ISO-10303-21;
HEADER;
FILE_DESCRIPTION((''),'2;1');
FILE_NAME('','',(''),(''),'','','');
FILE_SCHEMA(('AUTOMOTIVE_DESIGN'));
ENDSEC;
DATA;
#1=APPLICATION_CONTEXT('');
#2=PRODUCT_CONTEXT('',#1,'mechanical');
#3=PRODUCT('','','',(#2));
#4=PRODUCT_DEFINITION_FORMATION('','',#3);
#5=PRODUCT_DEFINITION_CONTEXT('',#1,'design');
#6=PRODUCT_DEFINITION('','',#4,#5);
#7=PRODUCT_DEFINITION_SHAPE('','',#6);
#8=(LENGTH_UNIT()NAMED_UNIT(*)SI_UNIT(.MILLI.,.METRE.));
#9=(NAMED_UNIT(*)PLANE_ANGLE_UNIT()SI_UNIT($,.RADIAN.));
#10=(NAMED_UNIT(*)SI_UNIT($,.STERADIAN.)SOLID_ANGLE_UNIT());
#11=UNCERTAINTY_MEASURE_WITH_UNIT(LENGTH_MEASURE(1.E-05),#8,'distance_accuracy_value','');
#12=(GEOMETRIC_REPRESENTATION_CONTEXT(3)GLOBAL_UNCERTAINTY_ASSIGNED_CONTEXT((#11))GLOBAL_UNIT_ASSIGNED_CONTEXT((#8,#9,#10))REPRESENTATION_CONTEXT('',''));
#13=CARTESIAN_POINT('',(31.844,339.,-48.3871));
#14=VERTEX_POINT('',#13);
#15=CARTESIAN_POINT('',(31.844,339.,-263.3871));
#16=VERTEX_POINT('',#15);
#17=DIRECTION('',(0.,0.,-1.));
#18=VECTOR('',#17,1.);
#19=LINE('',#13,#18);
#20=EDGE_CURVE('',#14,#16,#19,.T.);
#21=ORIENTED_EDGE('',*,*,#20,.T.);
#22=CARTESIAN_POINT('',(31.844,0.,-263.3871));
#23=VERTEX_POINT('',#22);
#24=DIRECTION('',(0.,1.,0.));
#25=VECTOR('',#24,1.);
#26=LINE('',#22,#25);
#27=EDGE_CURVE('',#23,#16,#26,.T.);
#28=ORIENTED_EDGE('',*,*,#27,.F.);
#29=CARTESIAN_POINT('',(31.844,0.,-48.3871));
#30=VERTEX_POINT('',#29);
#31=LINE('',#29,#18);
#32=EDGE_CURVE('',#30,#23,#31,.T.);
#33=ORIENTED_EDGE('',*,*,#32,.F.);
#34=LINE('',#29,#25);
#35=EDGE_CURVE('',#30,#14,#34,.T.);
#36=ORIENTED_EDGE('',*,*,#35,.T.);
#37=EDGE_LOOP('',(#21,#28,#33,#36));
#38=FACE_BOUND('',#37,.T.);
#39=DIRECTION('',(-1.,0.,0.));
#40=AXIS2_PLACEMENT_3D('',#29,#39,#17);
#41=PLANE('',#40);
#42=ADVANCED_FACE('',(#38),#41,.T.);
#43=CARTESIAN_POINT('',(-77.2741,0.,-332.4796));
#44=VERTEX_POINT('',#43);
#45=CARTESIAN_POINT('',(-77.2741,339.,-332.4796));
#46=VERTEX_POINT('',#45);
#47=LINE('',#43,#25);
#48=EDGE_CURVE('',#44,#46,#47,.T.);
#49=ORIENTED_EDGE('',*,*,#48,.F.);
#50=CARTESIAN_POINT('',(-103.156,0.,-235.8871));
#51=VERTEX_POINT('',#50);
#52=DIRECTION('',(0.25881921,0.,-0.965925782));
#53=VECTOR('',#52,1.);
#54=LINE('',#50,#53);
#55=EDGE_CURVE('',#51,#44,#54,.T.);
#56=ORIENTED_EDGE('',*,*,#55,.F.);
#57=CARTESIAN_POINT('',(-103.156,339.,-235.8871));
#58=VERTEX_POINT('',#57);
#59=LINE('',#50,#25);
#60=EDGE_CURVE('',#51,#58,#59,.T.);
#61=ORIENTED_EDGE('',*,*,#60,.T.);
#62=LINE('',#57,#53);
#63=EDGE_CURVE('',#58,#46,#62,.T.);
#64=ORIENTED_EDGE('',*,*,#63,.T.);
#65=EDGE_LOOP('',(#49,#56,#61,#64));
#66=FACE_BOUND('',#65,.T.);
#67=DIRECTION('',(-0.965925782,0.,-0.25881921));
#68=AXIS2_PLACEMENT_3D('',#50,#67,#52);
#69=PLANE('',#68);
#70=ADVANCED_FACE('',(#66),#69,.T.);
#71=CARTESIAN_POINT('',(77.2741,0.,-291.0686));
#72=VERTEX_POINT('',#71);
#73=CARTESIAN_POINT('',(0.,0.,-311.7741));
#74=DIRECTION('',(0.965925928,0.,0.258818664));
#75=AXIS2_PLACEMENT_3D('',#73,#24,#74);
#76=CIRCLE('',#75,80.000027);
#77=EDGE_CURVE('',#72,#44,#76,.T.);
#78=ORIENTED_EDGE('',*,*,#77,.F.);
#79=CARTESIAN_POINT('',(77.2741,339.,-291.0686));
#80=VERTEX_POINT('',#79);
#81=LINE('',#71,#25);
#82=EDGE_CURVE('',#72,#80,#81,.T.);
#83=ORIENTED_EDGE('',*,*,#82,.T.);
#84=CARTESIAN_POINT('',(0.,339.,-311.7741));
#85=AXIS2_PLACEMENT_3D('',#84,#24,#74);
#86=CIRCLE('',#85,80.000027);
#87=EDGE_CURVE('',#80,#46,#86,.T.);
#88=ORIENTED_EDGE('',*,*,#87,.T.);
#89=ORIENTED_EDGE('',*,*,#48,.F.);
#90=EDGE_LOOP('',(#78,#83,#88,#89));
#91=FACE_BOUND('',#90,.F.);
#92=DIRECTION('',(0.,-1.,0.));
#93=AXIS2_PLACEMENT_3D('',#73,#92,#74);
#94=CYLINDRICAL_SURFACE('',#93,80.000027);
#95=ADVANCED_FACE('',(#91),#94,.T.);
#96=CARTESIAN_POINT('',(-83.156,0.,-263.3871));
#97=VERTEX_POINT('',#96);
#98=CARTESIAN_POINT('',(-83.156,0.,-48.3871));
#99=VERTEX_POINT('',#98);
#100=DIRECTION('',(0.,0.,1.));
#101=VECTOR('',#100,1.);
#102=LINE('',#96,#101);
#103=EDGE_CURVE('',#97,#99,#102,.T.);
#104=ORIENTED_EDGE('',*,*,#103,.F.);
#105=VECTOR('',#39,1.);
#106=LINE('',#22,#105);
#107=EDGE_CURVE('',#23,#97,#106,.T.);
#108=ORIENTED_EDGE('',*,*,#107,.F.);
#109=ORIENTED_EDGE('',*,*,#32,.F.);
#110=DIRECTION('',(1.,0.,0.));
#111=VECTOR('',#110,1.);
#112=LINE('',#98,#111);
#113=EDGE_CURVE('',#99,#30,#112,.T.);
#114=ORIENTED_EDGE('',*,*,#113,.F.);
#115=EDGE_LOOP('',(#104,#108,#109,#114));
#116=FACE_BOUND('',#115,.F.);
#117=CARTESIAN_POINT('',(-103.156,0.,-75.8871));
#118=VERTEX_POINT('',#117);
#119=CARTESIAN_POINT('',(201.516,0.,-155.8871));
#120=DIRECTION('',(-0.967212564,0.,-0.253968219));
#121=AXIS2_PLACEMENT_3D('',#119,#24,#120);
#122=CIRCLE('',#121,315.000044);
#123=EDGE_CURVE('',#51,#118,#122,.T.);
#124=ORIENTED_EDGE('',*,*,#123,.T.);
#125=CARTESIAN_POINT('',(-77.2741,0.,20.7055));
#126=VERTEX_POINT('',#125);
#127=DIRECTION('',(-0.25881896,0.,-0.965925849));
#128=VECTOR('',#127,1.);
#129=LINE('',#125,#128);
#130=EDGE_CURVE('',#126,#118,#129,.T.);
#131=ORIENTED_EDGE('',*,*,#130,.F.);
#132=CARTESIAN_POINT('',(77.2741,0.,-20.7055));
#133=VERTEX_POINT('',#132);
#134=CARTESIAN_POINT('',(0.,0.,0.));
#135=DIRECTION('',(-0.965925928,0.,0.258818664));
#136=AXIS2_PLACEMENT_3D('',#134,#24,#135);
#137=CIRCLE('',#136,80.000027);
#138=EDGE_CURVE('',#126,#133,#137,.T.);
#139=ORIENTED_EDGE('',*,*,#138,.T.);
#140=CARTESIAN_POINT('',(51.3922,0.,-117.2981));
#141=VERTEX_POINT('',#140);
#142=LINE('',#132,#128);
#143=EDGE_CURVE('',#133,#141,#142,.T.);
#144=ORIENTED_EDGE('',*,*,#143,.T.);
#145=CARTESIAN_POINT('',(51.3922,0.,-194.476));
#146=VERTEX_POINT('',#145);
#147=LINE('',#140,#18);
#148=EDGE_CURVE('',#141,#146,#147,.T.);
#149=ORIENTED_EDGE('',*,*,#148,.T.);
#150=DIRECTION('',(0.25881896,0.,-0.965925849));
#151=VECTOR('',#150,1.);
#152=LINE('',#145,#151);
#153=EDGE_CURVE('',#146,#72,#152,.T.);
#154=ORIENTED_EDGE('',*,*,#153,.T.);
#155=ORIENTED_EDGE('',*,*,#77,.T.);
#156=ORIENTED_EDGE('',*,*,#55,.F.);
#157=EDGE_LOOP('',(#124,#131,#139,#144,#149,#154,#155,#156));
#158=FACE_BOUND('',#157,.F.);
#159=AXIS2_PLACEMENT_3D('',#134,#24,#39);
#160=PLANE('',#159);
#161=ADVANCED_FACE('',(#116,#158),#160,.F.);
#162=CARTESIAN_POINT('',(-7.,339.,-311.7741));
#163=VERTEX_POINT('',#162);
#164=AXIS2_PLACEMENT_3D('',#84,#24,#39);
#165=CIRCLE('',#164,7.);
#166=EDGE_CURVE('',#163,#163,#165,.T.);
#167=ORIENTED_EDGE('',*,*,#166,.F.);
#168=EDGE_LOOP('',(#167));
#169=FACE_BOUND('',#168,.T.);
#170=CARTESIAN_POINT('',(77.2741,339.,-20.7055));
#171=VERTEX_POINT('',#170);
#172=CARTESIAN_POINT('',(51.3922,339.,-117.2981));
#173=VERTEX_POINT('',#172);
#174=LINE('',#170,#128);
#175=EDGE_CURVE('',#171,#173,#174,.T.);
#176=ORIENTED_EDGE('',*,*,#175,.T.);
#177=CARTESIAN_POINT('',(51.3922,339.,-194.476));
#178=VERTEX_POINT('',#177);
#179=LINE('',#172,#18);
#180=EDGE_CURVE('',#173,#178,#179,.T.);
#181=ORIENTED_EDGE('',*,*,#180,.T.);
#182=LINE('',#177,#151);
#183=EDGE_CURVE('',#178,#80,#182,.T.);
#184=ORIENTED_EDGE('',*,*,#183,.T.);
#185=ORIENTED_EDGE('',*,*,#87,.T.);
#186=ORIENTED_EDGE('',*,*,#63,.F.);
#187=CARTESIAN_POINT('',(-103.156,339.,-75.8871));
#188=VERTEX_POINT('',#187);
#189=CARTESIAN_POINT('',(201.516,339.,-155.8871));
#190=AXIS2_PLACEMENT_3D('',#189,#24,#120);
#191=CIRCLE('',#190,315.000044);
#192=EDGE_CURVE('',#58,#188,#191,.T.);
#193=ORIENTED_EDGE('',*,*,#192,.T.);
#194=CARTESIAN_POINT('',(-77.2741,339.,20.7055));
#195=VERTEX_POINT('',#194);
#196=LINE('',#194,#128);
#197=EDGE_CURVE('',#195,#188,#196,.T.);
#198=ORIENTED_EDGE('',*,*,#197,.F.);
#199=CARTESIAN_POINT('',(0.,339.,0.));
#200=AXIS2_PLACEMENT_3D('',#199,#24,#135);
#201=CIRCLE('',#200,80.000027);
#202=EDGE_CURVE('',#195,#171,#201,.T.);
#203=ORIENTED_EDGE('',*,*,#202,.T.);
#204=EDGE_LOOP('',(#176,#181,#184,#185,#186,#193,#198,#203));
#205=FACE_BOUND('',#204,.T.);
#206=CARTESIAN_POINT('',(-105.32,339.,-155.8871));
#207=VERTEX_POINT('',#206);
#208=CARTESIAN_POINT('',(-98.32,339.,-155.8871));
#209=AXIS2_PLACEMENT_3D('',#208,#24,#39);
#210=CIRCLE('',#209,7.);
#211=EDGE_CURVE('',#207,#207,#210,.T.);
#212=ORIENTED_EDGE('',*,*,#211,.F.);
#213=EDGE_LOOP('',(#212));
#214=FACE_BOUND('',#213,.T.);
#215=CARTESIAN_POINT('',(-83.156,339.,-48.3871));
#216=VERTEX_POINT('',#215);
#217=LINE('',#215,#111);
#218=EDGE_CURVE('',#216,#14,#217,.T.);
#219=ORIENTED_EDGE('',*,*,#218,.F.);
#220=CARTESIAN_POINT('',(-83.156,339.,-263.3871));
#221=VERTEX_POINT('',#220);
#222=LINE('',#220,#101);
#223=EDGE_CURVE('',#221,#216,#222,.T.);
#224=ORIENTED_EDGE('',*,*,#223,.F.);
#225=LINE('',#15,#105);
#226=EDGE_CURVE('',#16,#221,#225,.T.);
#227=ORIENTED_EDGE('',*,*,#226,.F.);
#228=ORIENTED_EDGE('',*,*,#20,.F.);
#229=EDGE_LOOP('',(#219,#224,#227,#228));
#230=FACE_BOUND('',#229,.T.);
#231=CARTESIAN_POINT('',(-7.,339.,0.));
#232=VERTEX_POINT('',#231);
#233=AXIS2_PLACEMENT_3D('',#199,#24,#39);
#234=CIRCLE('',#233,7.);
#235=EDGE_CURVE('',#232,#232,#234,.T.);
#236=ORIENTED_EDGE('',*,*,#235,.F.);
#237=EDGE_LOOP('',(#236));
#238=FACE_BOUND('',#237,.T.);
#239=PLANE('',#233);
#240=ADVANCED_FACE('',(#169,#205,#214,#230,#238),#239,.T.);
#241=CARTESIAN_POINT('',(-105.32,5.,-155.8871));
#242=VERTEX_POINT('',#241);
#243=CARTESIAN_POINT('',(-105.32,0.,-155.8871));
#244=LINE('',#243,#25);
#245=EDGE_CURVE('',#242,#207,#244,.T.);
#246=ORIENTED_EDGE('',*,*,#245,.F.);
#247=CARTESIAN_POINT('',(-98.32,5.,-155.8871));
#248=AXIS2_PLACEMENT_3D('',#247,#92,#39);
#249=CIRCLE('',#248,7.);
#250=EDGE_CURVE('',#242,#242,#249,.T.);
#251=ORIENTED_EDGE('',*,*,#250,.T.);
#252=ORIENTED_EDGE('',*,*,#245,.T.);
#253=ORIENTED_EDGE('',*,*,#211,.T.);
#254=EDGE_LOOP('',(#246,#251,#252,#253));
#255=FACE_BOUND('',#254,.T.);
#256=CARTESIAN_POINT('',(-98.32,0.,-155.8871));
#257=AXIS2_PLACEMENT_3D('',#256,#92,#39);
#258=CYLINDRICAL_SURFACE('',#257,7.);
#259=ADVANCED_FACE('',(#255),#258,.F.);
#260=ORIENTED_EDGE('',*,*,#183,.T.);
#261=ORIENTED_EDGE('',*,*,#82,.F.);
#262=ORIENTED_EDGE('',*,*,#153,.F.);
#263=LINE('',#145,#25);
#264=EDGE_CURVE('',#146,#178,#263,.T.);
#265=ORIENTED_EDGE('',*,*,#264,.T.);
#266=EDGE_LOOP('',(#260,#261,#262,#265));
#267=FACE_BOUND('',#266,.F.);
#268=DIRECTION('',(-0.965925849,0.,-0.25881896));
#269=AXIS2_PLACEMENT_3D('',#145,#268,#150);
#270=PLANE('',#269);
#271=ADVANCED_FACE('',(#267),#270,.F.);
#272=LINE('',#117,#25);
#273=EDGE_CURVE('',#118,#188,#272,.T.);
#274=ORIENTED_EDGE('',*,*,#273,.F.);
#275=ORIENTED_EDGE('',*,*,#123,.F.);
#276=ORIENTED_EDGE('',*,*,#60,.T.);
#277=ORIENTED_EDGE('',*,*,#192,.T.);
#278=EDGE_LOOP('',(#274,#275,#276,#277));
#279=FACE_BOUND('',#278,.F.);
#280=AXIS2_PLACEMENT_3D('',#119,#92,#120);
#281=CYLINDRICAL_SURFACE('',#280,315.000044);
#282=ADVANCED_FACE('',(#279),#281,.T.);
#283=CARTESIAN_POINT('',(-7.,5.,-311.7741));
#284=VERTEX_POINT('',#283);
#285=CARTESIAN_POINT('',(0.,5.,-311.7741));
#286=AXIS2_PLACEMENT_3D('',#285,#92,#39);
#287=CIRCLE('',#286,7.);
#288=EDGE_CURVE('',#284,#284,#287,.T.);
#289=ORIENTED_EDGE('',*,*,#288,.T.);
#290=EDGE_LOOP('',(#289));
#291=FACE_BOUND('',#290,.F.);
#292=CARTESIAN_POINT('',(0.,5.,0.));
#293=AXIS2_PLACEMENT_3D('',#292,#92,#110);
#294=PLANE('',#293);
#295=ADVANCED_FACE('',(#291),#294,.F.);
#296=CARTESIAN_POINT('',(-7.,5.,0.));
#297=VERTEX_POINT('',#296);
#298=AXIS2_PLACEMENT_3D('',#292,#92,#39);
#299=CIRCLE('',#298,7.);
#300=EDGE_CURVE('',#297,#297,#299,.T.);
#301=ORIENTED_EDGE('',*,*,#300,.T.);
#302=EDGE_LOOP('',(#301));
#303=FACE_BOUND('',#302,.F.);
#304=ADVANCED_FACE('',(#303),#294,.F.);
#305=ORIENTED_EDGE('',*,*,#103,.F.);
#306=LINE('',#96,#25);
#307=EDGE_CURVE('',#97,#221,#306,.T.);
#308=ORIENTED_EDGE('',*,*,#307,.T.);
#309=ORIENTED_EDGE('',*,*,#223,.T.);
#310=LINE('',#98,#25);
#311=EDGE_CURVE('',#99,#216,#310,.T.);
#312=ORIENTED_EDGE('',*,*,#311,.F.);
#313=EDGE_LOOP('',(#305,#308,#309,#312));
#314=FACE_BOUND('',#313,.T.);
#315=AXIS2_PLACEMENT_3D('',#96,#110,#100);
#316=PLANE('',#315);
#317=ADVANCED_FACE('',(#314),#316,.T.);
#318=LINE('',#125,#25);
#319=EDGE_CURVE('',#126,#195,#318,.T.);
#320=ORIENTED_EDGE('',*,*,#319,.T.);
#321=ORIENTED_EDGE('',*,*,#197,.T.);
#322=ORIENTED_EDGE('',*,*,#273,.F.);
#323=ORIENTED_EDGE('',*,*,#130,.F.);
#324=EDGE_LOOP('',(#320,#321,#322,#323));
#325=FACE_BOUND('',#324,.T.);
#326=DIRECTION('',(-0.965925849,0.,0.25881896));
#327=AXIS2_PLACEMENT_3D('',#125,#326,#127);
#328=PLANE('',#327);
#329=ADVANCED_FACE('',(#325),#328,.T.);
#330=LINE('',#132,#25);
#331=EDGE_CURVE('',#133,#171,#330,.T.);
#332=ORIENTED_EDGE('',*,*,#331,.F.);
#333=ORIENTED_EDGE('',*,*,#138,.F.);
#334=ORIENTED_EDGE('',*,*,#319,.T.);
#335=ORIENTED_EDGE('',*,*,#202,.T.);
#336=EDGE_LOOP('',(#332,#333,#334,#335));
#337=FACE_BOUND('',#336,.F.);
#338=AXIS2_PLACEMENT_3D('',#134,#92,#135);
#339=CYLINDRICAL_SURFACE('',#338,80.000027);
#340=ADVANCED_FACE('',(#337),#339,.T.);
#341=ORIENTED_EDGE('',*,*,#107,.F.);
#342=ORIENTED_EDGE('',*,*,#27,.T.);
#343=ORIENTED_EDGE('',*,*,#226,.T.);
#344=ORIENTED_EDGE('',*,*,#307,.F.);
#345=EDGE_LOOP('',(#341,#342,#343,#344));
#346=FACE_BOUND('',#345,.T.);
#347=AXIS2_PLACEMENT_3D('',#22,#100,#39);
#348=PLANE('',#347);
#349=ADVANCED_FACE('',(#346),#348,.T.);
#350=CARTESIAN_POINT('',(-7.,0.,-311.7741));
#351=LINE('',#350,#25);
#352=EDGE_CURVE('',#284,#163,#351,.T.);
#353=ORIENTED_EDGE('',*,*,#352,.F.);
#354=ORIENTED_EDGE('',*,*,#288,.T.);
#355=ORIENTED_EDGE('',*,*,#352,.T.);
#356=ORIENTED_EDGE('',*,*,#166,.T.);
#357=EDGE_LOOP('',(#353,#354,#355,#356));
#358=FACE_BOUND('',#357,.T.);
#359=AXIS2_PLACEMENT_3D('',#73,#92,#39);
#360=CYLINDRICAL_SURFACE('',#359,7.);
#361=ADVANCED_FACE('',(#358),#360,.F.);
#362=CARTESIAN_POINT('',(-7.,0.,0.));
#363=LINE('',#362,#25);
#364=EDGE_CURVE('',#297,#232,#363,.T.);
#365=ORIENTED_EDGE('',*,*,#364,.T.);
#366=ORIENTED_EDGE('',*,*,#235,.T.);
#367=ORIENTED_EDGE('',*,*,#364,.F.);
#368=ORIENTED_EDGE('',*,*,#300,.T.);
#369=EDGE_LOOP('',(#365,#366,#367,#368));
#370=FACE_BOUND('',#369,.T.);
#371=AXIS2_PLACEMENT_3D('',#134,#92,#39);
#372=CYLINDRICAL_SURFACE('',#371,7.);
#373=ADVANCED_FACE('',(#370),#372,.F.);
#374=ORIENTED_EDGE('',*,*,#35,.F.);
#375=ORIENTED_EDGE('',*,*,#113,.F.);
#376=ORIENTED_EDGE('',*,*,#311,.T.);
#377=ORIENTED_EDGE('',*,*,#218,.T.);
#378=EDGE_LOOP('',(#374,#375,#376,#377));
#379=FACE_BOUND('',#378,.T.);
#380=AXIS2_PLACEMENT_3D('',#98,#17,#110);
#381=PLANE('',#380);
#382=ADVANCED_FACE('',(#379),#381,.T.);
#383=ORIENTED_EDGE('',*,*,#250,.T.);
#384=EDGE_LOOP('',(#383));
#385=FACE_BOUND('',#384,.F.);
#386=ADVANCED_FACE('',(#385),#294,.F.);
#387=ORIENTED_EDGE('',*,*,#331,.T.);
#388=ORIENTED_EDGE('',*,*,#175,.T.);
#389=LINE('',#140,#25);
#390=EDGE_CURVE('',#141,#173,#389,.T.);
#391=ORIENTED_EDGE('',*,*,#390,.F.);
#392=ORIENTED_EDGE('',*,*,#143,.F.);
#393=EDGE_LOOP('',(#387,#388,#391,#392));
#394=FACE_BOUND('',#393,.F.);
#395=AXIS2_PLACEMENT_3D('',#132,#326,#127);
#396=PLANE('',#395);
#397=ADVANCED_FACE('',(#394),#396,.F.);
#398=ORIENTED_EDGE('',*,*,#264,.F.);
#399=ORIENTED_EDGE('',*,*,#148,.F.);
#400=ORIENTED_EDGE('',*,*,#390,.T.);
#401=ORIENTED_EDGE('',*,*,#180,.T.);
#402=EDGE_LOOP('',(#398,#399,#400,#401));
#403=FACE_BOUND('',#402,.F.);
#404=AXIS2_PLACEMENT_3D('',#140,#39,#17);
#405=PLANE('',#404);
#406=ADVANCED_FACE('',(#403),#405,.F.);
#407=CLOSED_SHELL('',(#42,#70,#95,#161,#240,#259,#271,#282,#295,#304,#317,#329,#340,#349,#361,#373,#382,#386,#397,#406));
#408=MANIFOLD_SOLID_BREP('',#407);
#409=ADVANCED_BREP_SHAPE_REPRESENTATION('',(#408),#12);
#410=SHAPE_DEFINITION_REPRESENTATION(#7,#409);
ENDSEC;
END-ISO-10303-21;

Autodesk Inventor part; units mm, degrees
ref_plane "YZ Plane" through (0, 0, 0) normal (1, 0, 0) x (0, 1, 0)
ref_plane "XZ Plane" through (0, 0, 0) normal (0, 1, 0) x (-1, 0, 0)
ref_plane "XY Plane" through (0, 0, 0) normal (0, 0, 1) x (1, 0, 0)
sketch "Sketch2" plane through (0, 0, 0) normal (0, 1, 0) x (-1, 0, 0)
  circle A0 centre (0, 0) radius 80 construction
  line L0 (77.2741, 20.7055) -> (103.156, -75.8871)
  line L1 (-77.2741, -20.7055) -> (-51.3922, -117.2981)
  line L2 (103.156, -75.8871) -> (-51.3922, -117.2981) construction
  line L3 (103.156, -75.8871) -> (103.156, -235.8871) construction
  line L4 (103.156, -235.8871) -> (-51.3922, -194.476) construction
  line L5 (-51.3922, -117.2981) -> (-51.3922, -194.476)
  circle A1 centre (0, -311.7741) radius 80 construction
  line L6 (-51.3922, -194.476) -> (-77.2741, -291.0686)
  line L7 (103.156, -235.8871) -> (77.2741, -332.4796)
  arc A2 (77.2741, 20.7055) -> (-77.2741, -20.7055) centre (0, 0) ccw
  arc A3 (-77.2741, -291.0686) -> (77.2741, -332.4796) centre (0, -311.7741) ccw
  circle A4 centre (0, 0) radius 7
  circle A5 centre (0, -311.7741) radius 7
  line L8 (83.156, -48.3871) -> (-31.844, -48.3871)
  line L9 (-31.844, -48.3871) -> (-31.844, -263.3871)
  line L10 (-31.844, -263.3871) -> (83.156, -263.3871)
  line L11 (83.156, -263.3871) -> (83.156, -48.3871)
  arc A6 (103.156, -235.8871) -> (103.156, -75.8871) centre (-201.516, -155.8871) ccw
  circle A7 centre (98.32, -155.8871) radius 7
  point P0 (103.156, -155.8871)
  point P1 (83.156, -155.8871)
  dimension "d0" = 160
  dimension "d1" = 100
  dimension "d2" = 100
  dimension "d3" = 160
  dimension "d4" = 160
  dimension "d5" = 160
  dimension "d6" = 75
  dimension "d7" = 75
  dimension "d8" = 160
  dimension "d9" = 100
  dimension "d10" = 100
  dimension "d11" = 14
  dimension "d12" = 14
  dimension "d13" = 115
  dimension "d14" = 215
  dimension "d15" = 20
  dimension "d39" = 315
  dimension "d40" = 14
  dimension "d41" = 15.164
extrude "Extrusion1" add sketch "Sketch2" along normal blind 339
sketch "Sketch5" plane through (0, 0, 0) normal (0, -1, 0) x (1, 0, 0)
  circle A0 centre (-98.32, -155.8871) radius 7 projected
  circle A1 centre (0, -311.7741) radius 7 projected
  circle A2 centre (0, 0) radius 7 projected
extrude "Extrusion4" add sketch "Sketch5" against normal blind 5
properties part number "TA001" material "ABS Plastic"
